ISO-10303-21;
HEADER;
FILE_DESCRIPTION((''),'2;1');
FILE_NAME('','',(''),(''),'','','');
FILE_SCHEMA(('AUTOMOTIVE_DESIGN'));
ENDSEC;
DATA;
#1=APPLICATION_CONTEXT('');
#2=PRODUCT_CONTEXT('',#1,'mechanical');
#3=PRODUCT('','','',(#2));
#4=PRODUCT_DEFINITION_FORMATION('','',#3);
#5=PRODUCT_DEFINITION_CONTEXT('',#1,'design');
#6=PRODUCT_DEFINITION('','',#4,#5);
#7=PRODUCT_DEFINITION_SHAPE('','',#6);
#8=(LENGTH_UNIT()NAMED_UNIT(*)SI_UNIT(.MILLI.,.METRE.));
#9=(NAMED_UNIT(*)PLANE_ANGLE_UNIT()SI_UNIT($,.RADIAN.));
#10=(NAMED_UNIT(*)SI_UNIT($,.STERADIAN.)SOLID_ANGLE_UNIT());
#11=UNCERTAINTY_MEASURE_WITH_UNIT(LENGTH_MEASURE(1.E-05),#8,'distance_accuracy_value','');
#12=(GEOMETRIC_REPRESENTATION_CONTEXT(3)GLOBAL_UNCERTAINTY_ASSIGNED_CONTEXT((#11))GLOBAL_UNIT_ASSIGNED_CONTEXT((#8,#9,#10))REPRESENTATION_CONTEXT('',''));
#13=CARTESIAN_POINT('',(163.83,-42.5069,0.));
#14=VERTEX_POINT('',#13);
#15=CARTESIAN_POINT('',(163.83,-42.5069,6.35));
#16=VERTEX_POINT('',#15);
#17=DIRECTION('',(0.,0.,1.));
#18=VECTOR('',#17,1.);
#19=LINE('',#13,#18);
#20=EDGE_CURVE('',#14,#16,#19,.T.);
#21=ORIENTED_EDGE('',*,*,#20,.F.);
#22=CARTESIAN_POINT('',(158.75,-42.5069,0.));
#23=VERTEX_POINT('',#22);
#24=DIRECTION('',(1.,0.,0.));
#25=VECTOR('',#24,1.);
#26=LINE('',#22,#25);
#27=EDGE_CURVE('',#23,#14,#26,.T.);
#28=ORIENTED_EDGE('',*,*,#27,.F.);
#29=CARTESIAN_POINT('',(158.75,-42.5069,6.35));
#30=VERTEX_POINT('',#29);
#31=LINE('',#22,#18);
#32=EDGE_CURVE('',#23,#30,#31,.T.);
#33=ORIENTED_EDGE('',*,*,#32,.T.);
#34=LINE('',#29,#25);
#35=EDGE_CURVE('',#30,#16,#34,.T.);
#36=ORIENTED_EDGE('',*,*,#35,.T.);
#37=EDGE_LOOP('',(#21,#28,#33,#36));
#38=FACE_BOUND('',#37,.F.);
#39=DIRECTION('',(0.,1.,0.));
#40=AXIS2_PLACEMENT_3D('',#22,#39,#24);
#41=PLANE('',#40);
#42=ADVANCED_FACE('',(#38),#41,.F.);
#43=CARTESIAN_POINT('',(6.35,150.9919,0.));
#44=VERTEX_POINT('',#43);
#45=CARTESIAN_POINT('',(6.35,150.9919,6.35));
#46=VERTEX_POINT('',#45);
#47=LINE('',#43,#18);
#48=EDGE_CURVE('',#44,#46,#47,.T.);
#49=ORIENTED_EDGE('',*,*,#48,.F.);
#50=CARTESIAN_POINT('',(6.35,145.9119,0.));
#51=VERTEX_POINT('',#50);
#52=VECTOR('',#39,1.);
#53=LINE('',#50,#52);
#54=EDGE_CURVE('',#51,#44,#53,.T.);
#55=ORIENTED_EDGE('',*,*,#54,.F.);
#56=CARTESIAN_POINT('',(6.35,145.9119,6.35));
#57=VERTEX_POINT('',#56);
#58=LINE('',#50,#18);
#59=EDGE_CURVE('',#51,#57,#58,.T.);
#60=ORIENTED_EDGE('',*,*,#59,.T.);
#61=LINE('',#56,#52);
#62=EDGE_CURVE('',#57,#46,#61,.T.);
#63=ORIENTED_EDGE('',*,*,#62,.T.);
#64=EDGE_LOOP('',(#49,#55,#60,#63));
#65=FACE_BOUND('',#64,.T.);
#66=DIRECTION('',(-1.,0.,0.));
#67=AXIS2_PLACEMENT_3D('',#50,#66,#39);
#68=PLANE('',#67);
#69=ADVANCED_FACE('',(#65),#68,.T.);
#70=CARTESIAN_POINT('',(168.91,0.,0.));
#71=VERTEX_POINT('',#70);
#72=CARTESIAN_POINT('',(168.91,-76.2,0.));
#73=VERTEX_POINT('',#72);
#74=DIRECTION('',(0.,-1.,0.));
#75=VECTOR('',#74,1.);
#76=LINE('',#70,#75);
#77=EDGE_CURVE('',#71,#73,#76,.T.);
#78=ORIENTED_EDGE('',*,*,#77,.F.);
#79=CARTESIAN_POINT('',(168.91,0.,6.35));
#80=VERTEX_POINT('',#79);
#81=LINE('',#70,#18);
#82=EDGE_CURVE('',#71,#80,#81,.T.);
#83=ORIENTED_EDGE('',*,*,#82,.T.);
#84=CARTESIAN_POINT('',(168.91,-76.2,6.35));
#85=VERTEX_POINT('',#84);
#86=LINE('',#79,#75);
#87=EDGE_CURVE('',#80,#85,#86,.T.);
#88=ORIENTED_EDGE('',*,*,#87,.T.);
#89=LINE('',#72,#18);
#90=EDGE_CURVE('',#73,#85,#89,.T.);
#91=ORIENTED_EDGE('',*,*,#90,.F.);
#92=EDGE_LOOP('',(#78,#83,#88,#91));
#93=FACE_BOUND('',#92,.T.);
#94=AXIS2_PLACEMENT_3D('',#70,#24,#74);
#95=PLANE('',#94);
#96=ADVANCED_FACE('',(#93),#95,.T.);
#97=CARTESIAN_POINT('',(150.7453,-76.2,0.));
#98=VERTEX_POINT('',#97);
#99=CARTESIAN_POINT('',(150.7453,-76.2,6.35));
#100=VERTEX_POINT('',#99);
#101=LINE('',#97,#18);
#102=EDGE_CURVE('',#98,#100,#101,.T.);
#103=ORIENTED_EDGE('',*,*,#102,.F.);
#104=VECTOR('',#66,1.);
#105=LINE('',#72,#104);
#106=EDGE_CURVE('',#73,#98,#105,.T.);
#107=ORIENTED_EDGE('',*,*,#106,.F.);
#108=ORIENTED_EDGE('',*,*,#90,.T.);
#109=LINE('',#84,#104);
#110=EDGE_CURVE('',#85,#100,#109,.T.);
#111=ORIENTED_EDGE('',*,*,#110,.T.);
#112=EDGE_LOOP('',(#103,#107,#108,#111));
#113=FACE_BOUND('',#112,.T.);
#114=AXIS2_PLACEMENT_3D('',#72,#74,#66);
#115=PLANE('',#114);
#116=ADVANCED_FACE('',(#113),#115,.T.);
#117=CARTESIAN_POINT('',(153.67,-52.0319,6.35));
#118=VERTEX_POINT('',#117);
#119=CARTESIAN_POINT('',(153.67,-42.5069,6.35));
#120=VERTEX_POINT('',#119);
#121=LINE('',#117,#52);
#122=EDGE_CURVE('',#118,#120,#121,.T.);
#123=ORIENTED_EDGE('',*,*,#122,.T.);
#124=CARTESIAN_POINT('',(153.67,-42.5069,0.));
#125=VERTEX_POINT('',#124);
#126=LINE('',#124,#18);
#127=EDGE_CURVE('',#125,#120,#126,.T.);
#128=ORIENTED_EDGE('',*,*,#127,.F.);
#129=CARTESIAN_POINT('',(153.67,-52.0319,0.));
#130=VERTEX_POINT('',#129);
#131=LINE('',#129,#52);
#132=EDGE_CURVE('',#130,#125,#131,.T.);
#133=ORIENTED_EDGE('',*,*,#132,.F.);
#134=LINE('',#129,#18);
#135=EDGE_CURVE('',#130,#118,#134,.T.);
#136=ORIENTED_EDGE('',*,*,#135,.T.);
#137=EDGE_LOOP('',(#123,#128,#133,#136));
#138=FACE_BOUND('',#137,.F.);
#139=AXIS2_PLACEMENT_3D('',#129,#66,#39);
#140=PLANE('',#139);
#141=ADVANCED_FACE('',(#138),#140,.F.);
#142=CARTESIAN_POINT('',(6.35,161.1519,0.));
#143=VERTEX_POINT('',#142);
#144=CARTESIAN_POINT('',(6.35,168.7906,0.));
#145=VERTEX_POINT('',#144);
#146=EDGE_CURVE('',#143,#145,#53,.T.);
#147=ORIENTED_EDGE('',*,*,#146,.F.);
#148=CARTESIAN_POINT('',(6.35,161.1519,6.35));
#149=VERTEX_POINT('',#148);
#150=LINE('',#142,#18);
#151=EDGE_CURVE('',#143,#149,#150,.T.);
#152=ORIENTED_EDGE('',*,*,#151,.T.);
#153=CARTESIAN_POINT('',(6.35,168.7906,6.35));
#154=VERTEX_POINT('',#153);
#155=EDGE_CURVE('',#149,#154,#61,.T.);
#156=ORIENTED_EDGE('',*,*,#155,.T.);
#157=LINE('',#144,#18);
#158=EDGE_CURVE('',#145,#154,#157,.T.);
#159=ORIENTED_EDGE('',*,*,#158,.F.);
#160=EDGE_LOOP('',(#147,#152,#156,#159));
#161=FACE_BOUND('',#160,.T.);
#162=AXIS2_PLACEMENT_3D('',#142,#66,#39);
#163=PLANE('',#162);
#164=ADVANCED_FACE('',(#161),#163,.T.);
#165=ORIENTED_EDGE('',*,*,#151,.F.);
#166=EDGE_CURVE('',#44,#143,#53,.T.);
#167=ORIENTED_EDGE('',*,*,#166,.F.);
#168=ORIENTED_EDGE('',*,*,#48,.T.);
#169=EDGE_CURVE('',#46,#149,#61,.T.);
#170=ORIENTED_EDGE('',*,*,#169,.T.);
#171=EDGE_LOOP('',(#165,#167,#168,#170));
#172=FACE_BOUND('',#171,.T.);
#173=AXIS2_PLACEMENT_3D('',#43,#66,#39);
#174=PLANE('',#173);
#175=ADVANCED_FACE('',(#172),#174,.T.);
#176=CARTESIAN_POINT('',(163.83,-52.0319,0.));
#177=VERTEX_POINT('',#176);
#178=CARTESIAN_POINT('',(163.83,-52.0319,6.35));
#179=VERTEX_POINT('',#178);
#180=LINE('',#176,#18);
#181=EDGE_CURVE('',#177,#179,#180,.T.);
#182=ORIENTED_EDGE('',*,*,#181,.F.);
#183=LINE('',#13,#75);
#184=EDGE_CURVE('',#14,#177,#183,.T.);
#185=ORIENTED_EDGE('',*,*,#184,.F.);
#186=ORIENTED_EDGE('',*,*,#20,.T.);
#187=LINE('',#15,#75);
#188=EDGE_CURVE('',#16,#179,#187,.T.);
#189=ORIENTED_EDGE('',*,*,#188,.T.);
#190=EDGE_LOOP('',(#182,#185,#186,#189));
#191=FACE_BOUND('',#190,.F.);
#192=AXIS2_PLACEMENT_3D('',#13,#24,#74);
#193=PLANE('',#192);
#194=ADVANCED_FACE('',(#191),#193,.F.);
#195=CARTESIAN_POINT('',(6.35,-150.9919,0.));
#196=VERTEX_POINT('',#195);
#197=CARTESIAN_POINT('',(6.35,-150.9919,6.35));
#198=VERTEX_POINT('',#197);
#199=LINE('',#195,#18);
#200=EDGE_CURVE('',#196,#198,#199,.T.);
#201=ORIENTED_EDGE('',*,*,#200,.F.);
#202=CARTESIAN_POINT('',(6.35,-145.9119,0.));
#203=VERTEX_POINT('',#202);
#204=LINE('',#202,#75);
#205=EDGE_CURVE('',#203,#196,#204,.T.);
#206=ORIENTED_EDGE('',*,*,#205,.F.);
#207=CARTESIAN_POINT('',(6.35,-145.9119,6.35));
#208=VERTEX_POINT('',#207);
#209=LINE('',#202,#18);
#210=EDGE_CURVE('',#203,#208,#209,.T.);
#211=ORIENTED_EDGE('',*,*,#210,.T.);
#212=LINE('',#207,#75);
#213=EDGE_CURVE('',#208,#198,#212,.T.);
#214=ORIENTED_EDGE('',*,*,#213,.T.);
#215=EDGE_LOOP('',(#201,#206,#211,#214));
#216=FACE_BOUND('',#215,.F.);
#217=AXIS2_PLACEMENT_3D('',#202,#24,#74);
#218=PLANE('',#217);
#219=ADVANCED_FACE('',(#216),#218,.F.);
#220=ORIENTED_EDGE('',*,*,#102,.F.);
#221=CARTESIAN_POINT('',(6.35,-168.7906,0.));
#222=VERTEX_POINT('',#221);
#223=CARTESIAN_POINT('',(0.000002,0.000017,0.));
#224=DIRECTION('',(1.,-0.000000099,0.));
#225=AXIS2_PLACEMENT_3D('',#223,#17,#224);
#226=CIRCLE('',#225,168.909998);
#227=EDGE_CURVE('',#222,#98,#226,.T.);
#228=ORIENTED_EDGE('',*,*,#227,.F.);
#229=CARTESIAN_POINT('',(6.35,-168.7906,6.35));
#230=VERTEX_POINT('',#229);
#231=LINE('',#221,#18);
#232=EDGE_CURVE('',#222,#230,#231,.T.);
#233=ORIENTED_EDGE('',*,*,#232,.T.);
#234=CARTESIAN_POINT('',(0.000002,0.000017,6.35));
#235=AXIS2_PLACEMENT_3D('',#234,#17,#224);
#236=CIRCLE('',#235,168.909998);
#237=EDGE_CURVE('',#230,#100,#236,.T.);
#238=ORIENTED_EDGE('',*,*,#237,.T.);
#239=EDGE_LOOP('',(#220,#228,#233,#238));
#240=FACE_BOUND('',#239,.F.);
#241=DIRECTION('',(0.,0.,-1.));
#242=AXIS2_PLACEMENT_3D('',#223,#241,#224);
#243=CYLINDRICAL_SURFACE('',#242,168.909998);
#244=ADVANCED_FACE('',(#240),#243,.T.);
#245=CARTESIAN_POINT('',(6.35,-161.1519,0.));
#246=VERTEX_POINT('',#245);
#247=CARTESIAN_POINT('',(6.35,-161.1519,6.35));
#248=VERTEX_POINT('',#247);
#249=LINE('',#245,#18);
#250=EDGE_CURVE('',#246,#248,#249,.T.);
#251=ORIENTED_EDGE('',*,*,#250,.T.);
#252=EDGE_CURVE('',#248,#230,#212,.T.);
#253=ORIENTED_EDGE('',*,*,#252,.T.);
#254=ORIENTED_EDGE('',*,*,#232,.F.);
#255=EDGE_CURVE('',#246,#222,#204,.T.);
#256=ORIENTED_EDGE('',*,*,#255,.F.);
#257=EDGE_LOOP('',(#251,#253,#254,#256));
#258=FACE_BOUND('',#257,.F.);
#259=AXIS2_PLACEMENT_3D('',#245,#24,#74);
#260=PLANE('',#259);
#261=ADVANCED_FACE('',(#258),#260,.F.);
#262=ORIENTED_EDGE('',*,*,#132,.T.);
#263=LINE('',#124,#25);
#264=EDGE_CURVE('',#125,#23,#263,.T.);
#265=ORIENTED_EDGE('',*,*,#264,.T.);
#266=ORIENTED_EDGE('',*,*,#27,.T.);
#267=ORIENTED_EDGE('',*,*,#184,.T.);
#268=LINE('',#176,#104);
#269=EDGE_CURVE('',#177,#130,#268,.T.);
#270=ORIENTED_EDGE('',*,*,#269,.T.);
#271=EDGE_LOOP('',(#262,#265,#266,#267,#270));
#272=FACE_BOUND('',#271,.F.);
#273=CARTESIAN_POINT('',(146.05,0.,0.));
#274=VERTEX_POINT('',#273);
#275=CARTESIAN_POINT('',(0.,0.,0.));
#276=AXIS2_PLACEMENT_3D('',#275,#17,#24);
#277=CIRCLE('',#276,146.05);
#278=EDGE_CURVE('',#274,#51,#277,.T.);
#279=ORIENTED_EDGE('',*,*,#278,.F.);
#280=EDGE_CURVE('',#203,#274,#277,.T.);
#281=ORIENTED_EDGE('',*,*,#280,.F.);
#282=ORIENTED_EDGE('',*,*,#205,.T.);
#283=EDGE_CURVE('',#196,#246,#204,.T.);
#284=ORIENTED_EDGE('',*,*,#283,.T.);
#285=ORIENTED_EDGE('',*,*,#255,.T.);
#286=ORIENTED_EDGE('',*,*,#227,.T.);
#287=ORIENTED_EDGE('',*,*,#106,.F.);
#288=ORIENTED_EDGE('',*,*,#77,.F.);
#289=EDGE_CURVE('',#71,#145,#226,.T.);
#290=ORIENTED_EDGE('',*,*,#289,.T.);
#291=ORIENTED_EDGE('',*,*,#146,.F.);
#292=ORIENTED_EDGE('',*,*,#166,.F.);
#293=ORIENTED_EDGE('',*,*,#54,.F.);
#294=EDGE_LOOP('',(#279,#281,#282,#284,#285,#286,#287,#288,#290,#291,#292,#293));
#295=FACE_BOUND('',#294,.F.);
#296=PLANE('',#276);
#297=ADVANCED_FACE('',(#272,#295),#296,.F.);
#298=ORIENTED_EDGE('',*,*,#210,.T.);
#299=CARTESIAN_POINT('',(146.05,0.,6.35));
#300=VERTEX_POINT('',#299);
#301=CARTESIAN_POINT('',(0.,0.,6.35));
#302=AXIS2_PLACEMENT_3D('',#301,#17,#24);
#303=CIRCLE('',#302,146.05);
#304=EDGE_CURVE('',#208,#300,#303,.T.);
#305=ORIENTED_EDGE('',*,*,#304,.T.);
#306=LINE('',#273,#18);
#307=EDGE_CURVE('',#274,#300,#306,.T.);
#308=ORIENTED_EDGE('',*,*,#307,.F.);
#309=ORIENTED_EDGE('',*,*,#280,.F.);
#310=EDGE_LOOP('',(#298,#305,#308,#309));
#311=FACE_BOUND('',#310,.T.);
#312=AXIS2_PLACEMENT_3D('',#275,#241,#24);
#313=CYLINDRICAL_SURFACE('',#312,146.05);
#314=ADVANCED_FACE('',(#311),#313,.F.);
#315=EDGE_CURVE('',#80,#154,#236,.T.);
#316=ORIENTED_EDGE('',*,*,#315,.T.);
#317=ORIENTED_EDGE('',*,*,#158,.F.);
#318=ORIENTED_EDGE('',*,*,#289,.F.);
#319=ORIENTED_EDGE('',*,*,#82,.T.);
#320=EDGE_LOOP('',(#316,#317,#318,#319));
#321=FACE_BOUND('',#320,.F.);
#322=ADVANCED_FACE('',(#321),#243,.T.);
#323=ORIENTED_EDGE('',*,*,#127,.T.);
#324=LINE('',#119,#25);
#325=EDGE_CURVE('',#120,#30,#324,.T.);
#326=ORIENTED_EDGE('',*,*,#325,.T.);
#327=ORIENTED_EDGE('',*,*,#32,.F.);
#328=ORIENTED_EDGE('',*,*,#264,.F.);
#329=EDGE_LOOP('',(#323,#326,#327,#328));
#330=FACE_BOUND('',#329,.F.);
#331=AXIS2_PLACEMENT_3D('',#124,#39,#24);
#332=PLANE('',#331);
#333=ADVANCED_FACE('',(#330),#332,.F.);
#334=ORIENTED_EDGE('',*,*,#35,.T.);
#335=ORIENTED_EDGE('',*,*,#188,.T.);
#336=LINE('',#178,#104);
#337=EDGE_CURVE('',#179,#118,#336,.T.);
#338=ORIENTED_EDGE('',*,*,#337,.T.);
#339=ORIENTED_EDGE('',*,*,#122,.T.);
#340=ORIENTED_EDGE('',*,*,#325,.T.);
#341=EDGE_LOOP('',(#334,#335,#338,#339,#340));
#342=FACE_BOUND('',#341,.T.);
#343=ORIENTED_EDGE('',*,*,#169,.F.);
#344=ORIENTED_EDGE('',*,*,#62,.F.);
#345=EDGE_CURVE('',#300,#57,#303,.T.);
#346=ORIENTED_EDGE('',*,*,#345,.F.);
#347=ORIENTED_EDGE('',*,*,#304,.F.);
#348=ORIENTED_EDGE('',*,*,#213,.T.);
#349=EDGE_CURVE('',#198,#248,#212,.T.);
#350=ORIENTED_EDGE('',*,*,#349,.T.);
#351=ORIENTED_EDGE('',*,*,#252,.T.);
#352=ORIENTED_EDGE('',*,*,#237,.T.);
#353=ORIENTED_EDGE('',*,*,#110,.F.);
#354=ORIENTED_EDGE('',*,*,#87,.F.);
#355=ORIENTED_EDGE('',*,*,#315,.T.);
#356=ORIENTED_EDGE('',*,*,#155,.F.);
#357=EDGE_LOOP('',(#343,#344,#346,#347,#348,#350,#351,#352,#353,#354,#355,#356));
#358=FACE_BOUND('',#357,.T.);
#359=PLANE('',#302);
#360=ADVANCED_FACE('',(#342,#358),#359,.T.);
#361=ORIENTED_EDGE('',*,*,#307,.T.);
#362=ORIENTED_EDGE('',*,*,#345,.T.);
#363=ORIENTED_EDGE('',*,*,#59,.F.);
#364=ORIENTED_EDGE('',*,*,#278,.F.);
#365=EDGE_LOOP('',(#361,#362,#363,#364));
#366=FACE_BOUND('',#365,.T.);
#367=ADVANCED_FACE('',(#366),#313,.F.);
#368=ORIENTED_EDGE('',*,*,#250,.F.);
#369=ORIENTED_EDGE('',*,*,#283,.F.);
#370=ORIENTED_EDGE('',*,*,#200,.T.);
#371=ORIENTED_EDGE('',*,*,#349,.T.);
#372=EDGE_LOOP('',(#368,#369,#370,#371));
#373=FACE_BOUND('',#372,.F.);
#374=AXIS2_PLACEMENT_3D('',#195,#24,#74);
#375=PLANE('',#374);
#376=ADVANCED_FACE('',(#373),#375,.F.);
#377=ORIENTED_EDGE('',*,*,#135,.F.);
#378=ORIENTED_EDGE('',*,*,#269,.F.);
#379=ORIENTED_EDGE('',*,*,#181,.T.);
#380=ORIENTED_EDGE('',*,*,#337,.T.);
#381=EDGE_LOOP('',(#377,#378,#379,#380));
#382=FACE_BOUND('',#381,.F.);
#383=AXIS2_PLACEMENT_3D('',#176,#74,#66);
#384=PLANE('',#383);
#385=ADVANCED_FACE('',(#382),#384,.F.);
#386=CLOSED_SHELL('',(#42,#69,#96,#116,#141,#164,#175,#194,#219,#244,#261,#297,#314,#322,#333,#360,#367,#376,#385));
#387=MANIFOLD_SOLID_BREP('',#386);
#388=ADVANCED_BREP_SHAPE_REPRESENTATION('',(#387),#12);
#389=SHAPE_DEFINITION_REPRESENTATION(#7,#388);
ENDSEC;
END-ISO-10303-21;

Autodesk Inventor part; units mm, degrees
ref_plane "YZ Plane" through (0, 0, 0) normal (1, 0, 0) x (0, 1, 0)
ref_plane "XZ Plane" through (0, 0, 0) normal (0, 1, 0) x (-1, 0, 0)
ref_plane "XY Plane" through (0, 0, 0) normal (0, 0, 1) x (1, 0, 0)
sketch "Sketch1" plane through (0, 0, 0) normal (0, 0, 1) x (1, 0, 0)
  circle A0 centre (0, 0) radius 146.05
  arc A1 (168.91, 0) -> (150.7453, -76.2) centre (0, 0) ccw
  line L0 (6.35, -145.9119) -> (6.35, -168.7906)
  circle A2 centre (-157.48, 0) radius 3.175
  line L1 (6.35, -145.9119) -> (6.35, -150.9919)
  line L2 (6.35, -150.9919) -> (-6.35, -150.9919)
  line L3 (-6.35, -150.9919) -> (-6.35, -161.1519)
  line L4 (-6.35, -161.1519) -> (6.35, -161.1519)
  line L5 (6.35, -150.9919) -> (6.35, -161.1519)
  line L6 (6.35, 145.9119) -> (6.35, 168.7906)
  line L7 (0, 0) -> (0, 200.5264) construction
  line L8 (6.35, 145.9119) -> (6.35, 150.9919) construction
  line L9 (6.35, 150.9919) -> (-12.7, 150.9919)
  line L10 (-12.7, 150.9919) -> (-12.7, 161.1519)
  line L11 (-12.7, 161.1519) -> (6.35, 161.1519)
  line L12 (0, -146.05) -> (0, 0) construction
  line L13 (168.91, 0) -> (168.91, -76.2)
  line L14 (168.91, -76.2) -> (150.7453, -76.2)
  line L15 (0, 0) -> (0, -47.2694) construction
  line L16 (0, -47.2694) -> (158.75, -47.2694) construction
  line L17 (158.75, -42.5069) -> (163.83, -42.5069)
  line L18 (163.83, -42.5069) -> (163.83, -52.0319)
  line L19 (163.83, -52.0319) -> (153.67, -52.0319)
  line L20 (153.67, -52.0319) -> (153.67, -42.5069)
  line L21 (153.67, -42.5069) -> (158.75, -42.5069)
  point P0 (0.0447, 168.91)
  point P1 (6.3947, 145.9099)
  dimension "d51" = 292.1
  dimension "d52" = 337.82
  dimension "d58" = 5.08
  dimension "d59" = 12.7
  dimension "d60" = 10.16
  dimension "d72" = 6.35
  dimension "d73" = 5.08
  dimension "d75" = 19.05
  dimension "d76" = 10.16
  dimension "d77" = 6.35
  dimension "d82" = 76.2
  dimension "d86" = 47.2694
  dimension "d87" = 158.75
  dimension "d89" = 4.7625
  dimension "d90" = 5.08
  dimension "d91" = 9.525
  dimension "d92" = 10.16
  dimension "d93" = 4.7625
extrude "Extrusion15" add sketch "Sketch1" along normal blind 6.35 contours A0 L6 A1 L13 L14 L0
properties part number "TopfemaleHoopSection_v2"
